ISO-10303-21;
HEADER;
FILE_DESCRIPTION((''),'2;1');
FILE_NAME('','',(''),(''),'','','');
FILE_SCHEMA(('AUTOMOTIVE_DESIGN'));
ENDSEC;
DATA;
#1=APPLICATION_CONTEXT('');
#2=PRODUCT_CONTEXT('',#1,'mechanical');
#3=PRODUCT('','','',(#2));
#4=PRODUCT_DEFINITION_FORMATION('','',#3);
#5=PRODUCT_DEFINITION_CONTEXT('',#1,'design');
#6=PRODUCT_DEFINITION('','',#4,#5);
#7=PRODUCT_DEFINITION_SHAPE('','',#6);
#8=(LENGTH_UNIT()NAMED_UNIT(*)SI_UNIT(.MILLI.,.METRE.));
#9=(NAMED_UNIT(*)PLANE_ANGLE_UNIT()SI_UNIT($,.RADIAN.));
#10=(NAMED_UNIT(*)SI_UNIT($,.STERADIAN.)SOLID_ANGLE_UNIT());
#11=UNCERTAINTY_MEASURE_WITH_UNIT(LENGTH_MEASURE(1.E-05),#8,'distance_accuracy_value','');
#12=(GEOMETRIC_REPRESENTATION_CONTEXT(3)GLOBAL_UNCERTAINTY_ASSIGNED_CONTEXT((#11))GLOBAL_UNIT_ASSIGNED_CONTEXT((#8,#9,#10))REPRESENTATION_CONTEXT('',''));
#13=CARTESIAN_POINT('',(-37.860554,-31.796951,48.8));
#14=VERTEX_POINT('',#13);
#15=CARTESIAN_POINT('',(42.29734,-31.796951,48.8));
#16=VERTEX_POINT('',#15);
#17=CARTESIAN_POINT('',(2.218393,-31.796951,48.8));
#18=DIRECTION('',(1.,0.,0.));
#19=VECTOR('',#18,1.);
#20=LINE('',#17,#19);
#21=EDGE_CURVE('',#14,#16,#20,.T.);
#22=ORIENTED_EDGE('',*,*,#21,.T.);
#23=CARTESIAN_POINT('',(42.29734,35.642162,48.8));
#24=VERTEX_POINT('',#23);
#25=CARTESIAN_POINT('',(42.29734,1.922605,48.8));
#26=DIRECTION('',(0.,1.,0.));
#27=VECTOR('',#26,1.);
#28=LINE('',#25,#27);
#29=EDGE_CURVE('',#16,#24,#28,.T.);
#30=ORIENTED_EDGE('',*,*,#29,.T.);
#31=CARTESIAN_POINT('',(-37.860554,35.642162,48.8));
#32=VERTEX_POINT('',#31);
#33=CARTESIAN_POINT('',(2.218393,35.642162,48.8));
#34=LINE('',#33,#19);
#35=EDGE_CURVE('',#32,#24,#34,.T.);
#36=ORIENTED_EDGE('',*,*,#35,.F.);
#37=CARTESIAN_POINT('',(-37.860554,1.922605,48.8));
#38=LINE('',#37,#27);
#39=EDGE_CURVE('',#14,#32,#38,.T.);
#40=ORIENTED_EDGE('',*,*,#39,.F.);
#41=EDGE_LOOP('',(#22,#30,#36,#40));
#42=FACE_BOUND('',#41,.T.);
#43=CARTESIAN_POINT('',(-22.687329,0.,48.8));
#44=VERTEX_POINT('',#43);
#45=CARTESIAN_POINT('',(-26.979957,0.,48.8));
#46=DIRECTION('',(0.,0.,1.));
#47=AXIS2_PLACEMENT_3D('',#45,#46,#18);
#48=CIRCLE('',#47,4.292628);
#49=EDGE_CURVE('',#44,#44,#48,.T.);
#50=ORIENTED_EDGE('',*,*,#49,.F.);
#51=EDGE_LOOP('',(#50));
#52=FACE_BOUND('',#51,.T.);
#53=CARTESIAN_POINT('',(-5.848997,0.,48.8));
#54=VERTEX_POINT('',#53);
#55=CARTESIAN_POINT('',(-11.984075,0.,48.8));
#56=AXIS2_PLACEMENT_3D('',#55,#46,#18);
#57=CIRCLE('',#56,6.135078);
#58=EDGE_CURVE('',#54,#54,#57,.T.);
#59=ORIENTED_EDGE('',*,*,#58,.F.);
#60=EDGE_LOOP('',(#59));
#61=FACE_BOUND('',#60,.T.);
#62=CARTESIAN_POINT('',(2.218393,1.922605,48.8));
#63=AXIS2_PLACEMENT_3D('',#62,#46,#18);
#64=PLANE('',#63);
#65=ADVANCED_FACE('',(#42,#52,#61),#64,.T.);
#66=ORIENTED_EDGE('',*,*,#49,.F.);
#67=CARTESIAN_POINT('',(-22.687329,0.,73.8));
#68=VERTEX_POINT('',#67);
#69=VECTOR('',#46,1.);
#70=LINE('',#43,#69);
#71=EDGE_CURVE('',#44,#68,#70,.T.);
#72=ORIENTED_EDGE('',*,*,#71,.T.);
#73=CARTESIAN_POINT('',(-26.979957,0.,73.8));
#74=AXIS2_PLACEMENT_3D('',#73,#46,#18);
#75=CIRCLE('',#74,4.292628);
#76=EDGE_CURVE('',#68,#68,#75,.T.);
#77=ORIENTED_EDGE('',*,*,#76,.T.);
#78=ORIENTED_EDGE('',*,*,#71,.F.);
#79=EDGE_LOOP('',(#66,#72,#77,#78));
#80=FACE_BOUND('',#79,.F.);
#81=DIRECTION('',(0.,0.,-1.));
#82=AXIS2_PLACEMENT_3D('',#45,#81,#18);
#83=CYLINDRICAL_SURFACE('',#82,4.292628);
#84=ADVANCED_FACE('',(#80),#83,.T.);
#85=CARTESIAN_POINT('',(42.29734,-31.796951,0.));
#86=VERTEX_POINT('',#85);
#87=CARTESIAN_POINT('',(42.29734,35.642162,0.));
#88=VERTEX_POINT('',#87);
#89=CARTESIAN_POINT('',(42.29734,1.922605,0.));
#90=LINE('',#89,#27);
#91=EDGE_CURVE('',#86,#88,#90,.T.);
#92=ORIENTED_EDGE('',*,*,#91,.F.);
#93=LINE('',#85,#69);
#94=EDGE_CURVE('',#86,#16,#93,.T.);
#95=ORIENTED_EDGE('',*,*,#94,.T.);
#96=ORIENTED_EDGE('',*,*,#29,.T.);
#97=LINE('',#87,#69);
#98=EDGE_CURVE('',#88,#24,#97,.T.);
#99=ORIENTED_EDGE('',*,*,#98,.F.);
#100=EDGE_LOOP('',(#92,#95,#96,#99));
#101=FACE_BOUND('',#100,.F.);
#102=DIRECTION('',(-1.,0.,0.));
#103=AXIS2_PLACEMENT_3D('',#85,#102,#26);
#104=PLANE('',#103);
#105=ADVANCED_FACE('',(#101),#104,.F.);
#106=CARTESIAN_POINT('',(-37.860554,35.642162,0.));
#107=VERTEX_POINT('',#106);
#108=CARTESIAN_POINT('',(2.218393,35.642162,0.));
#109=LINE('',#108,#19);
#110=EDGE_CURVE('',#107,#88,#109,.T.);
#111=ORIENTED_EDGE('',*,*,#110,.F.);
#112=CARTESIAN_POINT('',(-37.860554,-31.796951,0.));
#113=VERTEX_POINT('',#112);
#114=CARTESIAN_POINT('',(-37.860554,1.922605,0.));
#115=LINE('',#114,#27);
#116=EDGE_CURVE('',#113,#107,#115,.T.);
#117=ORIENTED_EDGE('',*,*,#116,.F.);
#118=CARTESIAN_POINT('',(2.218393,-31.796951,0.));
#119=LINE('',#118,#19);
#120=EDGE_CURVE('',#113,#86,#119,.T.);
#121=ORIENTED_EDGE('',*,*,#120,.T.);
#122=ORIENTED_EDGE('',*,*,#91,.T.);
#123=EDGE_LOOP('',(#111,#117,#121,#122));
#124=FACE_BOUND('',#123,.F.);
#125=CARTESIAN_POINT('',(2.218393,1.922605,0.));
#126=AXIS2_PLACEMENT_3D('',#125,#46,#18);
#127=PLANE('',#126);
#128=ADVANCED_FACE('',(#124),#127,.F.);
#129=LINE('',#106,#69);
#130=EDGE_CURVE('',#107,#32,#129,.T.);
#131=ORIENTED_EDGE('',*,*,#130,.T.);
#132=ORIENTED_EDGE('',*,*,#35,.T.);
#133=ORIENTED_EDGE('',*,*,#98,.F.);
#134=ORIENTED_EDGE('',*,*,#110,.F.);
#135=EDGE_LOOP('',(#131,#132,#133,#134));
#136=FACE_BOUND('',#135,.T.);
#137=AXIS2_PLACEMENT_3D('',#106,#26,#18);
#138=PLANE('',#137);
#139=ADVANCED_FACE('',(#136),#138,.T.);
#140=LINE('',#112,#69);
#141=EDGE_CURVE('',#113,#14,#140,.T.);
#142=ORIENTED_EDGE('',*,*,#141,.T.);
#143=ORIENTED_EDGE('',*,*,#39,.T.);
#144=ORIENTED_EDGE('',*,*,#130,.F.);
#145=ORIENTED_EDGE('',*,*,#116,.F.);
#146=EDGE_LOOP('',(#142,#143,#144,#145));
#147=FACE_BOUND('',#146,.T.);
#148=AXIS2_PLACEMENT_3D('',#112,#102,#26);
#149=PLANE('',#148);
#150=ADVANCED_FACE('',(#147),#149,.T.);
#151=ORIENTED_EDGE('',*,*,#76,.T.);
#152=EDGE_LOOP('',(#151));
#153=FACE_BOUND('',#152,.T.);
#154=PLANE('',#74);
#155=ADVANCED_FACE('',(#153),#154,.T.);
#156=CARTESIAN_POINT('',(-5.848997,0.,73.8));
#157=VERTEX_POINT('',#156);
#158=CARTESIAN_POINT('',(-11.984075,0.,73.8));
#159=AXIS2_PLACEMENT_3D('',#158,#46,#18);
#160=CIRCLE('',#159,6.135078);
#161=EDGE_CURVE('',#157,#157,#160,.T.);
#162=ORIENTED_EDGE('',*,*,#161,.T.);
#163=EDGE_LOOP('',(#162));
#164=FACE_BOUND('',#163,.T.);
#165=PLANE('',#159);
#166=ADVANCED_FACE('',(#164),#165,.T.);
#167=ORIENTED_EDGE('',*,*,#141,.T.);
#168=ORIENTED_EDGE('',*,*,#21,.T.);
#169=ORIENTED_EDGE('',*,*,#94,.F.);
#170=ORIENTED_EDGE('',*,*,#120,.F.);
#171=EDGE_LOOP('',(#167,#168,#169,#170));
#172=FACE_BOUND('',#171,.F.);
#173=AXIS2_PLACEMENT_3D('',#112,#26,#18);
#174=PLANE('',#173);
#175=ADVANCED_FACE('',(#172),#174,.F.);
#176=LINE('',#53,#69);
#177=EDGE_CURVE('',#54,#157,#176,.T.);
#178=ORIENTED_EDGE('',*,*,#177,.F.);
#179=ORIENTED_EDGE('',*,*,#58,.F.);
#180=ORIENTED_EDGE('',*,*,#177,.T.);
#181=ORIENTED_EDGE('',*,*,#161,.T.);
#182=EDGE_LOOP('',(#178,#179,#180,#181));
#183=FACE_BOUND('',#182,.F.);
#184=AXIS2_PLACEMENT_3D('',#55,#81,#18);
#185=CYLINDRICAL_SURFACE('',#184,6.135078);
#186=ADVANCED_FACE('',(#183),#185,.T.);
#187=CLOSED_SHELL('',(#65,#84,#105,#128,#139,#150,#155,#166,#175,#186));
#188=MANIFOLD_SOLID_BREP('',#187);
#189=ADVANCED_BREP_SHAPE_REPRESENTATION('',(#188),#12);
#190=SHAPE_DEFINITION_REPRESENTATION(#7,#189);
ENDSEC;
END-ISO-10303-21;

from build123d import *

# Parameters (mm, degrees)
F0_W     = 80.157895
F0_H     = 67.439113
F1_DEPTH = 48.8
F2_W     = 64.96834
F2_H     = 55.503204
F3_DEPTH = 20
F4_R     = 4.292628
F5_DEPTH = 25
F6_R     = 6.135078
F7_DEPTH = 25


with BuildPart() as f1:
    # F0 (on Top) → F1 (new body)
    with BuildSketch(Plane.XY):
        with Locations((2.218393, 1.922605)):
            Rectangle(F0_W, F0_H)
    extrude(amount=F1_DEPTH)

    # F2 (on face) → F3 (join)
    with BuildSketch(Plane.XY.offset(48.8)):
        with Locations((3.307585, 3.803581)):
            Rectangle(F2_W, F2_H)
    extrude(amount=-F3_DEPTH)

    # F4 (on face) → F5 (join)
    with BuildSketch(Plane.XY.offset(48.8)):
        with Locations((-26.979957, 0)):
            Circle(F4_R)
    extrude(amount=F5_DEPTH)

    # F6 (on face) → F7 (join)
    with BuildSketch(Plane.XY.offset(48.8)):
        with Locations((-11.984075, 0)):
            Circle(F6_R)
    extrude(amount=F7_DEPTH)


solid = f1.part
